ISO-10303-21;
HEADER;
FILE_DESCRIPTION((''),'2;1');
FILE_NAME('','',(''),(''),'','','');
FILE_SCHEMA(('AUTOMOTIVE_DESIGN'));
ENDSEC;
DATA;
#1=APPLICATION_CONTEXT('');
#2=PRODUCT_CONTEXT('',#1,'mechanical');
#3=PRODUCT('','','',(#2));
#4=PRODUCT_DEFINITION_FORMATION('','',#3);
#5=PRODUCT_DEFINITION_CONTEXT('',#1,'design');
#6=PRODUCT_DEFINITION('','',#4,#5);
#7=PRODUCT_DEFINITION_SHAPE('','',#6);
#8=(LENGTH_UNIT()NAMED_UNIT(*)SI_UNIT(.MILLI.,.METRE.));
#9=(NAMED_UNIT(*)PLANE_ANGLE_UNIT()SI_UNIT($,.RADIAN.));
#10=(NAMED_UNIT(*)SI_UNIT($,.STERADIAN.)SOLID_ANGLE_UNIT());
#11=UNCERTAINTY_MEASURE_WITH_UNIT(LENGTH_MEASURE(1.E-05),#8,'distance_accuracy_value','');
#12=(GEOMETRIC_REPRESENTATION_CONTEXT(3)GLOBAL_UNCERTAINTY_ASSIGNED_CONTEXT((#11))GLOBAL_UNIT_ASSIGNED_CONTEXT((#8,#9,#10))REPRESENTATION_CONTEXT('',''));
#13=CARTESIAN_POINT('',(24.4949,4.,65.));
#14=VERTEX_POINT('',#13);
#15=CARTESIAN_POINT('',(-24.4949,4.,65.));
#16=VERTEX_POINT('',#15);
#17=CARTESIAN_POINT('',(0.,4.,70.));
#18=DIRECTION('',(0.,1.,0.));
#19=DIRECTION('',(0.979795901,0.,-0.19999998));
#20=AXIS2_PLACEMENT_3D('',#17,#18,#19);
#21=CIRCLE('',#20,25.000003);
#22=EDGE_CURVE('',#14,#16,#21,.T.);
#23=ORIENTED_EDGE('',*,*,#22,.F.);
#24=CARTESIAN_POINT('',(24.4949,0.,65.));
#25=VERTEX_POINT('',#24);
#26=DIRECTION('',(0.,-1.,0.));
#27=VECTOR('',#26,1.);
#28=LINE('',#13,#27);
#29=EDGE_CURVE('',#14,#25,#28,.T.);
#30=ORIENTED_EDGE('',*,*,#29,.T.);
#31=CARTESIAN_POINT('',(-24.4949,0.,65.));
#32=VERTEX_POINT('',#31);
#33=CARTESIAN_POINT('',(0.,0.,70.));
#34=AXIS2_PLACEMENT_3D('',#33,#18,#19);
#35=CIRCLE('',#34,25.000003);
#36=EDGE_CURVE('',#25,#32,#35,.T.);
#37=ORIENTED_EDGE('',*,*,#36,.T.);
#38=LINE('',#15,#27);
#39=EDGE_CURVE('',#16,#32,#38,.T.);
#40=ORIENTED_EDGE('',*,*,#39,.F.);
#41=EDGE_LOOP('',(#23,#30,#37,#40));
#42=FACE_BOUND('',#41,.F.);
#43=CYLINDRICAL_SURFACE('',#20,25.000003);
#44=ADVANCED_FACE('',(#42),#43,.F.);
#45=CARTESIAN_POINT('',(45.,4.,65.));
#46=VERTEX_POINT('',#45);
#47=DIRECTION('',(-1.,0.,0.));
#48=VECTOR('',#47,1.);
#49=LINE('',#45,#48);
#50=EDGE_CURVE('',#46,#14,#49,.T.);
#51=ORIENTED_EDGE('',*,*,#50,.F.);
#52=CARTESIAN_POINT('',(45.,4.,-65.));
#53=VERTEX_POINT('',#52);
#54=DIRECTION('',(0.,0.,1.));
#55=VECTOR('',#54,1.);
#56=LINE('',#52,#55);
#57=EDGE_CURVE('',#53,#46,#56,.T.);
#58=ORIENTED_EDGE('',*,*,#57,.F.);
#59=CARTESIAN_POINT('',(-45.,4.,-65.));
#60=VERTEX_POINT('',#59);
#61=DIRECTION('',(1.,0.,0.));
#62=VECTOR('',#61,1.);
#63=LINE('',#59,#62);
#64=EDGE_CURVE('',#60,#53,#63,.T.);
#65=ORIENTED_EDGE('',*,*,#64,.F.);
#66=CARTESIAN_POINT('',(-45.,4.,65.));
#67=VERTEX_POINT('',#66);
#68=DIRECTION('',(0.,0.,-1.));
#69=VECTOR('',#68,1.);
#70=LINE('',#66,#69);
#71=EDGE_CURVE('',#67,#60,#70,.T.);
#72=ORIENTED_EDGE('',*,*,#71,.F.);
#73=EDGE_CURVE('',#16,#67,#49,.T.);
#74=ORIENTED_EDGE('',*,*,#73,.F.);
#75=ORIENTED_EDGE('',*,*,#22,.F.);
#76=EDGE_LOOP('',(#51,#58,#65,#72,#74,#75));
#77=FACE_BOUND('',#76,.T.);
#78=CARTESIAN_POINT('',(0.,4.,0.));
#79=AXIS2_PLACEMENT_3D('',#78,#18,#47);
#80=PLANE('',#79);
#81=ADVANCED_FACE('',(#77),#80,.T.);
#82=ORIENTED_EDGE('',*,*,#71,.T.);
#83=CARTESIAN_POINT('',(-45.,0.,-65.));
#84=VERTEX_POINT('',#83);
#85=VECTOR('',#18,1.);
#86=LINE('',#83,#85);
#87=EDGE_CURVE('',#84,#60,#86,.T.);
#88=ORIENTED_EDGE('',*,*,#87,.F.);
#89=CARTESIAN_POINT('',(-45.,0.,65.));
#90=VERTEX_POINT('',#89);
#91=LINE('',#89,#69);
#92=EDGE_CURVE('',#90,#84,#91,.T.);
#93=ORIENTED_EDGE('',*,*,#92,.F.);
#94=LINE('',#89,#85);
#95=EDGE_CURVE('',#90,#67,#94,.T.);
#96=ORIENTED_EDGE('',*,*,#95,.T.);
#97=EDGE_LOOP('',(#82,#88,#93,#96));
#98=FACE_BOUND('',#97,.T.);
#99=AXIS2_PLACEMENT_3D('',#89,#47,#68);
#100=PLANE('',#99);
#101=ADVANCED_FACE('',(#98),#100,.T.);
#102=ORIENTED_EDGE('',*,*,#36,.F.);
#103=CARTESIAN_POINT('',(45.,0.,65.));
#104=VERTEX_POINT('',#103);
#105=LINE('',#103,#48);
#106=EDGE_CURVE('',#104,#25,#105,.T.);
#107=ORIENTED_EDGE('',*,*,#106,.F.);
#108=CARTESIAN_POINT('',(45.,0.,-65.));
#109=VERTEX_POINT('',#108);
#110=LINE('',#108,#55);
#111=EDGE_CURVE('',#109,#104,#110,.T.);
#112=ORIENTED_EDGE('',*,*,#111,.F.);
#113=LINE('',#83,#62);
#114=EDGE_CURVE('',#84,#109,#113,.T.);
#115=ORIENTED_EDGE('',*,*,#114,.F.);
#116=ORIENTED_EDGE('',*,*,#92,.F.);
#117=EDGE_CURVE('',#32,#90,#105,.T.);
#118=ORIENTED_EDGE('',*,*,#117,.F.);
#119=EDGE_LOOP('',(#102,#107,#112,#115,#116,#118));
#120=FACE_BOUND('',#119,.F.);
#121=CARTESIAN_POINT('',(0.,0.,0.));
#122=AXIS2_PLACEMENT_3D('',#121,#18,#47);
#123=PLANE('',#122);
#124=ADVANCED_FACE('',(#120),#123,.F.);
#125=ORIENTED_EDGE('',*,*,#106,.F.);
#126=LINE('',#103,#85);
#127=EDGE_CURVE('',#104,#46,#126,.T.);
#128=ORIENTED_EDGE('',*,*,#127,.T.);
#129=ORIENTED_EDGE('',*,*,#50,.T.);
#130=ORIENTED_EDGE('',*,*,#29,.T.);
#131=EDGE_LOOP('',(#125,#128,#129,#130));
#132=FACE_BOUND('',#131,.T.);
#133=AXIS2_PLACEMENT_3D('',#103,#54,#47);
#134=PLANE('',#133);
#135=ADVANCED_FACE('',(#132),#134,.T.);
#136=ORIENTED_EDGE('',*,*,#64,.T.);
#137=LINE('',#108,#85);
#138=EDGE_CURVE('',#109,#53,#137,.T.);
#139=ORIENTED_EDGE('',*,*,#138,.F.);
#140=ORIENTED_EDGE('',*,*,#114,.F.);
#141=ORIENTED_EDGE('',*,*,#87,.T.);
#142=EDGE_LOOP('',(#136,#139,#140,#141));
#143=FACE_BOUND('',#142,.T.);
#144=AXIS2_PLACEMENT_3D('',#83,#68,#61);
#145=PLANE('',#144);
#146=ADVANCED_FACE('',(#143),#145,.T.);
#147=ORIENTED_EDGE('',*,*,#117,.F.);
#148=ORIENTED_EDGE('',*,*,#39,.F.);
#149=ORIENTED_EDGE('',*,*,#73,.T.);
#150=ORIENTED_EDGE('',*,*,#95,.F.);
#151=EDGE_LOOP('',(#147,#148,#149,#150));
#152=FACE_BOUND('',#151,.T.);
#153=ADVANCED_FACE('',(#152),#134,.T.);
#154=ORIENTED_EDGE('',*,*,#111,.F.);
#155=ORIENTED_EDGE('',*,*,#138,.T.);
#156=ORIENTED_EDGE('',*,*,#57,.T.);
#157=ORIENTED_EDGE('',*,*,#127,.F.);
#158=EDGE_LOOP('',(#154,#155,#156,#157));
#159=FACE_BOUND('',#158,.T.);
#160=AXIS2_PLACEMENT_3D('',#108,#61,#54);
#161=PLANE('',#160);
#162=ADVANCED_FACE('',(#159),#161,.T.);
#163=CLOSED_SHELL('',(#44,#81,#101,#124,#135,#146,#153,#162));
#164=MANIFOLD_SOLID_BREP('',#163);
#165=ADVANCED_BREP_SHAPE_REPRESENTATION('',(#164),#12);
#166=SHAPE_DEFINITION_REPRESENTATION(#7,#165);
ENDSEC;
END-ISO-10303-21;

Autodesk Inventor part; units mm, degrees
ref_plane "YZ Plane" through (0, 0, 0) normal (1, 0, 0) x (0, 1, 0)
ref_plane "XZ Plane" through (0, 0, 0) normal (0, 1, 0) x (-1, 0, 0)
ref_plane "XY Plane" through (0, 0, 0) normal (0, 0, 1) x (1, 0, 0)
sketch "Sketch1" plane through (0, 0, 0) normal (0, 1, 0) x (-1, 0, 0)
  line L0 (-45, 65) -> (45, 65)
  line L1 (45, 65) -> (45, -65)
  line L2 (45, -65) -> (-45, -65)
  line L3 (-45, -65) -> (-45, 65)
  line L4 (-45, 65) -> (45, -65) construction
  line L5 (45, 65) -> (-45, -65) construction
  point P0 (0, 0)
  dimension "d1" = 90
  dimension "d2" = 130
extrude "Extrusion1" add sketch "Sketch1" along normal blind 4
sketch "Sketch2" plane through (0, 4, 0) normal (0, 1, 0) x (1, 0, 0)
  line L0 (-45, -65) -> (45, -65) projected
  arc A0 (24.4949, -65) -> (-24.4949, -65) centre (0, -70) ccw
  line L1 (0, -70) -> (0, 0) construction
  dimension "d5" = 25
  dimension "d6" = 5
extrude "Extrusion2" cut sketch "Sketch2" against normal blind 4
properties part number "Plate 1"
